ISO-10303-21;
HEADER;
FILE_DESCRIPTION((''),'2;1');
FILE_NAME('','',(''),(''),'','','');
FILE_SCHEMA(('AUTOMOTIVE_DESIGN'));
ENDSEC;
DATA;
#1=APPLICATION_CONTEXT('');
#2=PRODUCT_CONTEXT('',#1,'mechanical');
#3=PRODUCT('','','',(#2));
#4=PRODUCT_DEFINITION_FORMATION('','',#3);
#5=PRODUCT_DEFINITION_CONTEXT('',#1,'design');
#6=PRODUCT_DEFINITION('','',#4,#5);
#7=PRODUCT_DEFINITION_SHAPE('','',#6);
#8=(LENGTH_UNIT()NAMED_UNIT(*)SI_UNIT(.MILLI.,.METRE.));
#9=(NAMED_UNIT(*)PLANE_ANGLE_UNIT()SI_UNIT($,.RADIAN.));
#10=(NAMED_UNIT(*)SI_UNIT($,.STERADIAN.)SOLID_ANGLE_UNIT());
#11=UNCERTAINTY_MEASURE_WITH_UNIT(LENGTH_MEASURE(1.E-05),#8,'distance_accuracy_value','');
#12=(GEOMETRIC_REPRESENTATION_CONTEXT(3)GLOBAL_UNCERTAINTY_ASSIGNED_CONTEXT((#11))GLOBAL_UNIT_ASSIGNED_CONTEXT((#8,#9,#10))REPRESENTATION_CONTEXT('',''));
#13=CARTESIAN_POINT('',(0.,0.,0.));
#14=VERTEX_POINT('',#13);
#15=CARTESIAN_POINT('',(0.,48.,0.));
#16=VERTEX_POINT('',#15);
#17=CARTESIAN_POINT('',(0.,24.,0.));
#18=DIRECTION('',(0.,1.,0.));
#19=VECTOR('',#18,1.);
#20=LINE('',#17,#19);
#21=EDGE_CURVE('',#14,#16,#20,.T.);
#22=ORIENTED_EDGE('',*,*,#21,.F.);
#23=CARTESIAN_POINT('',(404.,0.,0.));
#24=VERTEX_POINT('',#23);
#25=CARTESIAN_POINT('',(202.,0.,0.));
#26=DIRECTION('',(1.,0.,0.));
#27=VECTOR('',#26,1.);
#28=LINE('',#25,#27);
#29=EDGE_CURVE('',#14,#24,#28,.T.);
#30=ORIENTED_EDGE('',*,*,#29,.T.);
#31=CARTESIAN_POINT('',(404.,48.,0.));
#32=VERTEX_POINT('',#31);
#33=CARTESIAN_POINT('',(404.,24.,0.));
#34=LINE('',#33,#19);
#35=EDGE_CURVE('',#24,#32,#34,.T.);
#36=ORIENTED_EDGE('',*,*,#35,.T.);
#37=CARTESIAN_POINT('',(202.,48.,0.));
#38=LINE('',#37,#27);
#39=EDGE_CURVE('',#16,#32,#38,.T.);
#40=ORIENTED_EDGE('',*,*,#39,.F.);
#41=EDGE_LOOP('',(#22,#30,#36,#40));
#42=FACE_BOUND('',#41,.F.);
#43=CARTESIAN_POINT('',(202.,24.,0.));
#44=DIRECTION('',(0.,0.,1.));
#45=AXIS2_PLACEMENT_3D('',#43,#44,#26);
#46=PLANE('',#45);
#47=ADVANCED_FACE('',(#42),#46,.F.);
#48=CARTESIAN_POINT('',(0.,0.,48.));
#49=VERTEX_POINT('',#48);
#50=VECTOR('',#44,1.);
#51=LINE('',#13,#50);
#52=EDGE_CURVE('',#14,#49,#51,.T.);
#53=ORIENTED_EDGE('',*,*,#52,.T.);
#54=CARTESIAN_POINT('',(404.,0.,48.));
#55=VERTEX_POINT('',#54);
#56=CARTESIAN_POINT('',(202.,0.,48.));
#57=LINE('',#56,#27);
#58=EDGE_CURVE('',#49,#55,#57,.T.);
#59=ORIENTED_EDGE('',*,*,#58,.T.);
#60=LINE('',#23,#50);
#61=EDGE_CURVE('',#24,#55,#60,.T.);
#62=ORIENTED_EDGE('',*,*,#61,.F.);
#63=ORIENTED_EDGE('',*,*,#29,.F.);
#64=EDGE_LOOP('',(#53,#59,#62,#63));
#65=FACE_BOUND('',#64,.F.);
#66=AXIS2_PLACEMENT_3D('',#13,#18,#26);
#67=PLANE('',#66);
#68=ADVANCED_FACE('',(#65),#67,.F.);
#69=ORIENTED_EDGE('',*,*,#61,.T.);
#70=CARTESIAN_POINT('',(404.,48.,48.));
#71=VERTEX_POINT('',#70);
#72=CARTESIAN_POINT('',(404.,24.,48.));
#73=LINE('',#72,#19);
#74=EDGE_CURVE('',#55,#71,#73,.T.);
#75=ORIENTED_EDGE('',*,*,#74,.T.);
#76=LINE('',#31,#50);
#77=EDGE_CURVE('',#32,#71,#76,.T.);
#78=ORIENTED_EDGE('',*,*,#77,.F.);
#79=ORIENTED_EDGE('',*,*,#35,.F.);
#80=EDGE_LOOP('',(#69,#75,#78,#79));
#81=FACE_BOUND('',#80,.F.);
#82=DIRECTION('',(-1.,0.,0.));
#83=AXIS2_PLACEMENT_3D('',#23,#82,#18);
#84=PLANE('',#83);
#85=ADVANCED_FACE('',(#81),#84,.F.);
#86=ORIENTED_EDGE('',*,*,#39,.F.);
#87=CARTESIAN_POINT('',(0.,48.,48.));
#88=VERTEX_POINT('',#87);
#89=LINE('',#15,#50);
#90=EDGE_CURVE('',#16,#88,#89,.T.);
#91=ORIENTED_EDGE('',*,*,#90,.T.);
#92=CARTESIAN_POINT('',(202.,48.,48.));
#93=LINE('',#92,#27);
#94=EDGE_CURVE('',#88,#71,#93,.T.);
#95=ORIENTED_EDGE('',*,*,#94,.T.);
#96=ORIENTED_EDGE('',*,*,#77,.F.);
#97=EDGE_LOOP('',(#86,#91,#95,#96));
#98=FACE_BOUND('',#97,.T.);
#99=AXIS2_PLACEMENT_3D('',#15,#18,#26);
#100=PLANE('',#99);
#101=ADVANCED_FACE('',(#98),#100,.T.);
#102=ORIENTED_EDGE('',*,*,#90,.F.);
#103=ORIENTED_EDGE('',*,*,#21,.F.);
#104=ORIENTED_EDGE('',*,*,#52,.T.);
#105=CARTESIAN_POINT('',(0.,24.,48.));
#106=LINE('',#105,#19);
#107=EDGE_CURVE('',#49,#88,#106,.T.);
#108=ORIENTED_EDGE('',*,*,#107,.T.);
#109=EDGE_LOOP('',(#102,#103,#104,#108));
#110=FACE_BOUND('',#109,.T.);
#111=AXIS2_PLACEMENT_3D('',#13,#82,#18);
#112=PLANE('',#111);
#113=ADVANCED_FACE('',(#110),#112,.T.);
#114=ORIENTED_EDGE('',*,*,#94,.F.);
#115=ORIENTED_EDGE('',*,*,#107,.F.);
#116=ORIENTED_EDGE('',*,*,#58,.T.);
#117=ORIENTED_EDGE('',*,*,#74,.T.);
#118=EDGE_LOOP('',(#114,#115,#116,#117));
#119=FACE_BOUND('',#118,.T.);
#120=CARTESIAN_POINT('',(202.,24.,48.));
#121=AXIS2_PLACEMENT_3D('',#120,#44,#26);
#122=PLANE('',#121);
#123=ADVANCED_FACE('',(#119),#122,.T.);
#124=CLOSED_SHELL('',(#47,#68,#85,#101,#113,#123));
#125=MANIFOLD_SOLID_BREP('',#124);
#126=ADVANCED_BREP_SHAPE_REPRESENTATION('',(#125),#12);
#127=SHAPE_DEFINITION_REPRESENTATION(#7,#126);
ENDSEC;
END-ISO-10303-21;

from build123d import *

# Parameters (mm, degrees)
BOX001_W     = 404
BOX001_H     = 48
BOX001_DEPTH = 48


with BuildPart() as part:
    # Box001 → Box001 (new body)
    with BuildSketch(Plane.XY):
        with Locations((202, 24)):
            Rectangle(BOX001_W, BOX001_H)
    extrude(amount=BOX001_DEPTH)


solid = part.part
